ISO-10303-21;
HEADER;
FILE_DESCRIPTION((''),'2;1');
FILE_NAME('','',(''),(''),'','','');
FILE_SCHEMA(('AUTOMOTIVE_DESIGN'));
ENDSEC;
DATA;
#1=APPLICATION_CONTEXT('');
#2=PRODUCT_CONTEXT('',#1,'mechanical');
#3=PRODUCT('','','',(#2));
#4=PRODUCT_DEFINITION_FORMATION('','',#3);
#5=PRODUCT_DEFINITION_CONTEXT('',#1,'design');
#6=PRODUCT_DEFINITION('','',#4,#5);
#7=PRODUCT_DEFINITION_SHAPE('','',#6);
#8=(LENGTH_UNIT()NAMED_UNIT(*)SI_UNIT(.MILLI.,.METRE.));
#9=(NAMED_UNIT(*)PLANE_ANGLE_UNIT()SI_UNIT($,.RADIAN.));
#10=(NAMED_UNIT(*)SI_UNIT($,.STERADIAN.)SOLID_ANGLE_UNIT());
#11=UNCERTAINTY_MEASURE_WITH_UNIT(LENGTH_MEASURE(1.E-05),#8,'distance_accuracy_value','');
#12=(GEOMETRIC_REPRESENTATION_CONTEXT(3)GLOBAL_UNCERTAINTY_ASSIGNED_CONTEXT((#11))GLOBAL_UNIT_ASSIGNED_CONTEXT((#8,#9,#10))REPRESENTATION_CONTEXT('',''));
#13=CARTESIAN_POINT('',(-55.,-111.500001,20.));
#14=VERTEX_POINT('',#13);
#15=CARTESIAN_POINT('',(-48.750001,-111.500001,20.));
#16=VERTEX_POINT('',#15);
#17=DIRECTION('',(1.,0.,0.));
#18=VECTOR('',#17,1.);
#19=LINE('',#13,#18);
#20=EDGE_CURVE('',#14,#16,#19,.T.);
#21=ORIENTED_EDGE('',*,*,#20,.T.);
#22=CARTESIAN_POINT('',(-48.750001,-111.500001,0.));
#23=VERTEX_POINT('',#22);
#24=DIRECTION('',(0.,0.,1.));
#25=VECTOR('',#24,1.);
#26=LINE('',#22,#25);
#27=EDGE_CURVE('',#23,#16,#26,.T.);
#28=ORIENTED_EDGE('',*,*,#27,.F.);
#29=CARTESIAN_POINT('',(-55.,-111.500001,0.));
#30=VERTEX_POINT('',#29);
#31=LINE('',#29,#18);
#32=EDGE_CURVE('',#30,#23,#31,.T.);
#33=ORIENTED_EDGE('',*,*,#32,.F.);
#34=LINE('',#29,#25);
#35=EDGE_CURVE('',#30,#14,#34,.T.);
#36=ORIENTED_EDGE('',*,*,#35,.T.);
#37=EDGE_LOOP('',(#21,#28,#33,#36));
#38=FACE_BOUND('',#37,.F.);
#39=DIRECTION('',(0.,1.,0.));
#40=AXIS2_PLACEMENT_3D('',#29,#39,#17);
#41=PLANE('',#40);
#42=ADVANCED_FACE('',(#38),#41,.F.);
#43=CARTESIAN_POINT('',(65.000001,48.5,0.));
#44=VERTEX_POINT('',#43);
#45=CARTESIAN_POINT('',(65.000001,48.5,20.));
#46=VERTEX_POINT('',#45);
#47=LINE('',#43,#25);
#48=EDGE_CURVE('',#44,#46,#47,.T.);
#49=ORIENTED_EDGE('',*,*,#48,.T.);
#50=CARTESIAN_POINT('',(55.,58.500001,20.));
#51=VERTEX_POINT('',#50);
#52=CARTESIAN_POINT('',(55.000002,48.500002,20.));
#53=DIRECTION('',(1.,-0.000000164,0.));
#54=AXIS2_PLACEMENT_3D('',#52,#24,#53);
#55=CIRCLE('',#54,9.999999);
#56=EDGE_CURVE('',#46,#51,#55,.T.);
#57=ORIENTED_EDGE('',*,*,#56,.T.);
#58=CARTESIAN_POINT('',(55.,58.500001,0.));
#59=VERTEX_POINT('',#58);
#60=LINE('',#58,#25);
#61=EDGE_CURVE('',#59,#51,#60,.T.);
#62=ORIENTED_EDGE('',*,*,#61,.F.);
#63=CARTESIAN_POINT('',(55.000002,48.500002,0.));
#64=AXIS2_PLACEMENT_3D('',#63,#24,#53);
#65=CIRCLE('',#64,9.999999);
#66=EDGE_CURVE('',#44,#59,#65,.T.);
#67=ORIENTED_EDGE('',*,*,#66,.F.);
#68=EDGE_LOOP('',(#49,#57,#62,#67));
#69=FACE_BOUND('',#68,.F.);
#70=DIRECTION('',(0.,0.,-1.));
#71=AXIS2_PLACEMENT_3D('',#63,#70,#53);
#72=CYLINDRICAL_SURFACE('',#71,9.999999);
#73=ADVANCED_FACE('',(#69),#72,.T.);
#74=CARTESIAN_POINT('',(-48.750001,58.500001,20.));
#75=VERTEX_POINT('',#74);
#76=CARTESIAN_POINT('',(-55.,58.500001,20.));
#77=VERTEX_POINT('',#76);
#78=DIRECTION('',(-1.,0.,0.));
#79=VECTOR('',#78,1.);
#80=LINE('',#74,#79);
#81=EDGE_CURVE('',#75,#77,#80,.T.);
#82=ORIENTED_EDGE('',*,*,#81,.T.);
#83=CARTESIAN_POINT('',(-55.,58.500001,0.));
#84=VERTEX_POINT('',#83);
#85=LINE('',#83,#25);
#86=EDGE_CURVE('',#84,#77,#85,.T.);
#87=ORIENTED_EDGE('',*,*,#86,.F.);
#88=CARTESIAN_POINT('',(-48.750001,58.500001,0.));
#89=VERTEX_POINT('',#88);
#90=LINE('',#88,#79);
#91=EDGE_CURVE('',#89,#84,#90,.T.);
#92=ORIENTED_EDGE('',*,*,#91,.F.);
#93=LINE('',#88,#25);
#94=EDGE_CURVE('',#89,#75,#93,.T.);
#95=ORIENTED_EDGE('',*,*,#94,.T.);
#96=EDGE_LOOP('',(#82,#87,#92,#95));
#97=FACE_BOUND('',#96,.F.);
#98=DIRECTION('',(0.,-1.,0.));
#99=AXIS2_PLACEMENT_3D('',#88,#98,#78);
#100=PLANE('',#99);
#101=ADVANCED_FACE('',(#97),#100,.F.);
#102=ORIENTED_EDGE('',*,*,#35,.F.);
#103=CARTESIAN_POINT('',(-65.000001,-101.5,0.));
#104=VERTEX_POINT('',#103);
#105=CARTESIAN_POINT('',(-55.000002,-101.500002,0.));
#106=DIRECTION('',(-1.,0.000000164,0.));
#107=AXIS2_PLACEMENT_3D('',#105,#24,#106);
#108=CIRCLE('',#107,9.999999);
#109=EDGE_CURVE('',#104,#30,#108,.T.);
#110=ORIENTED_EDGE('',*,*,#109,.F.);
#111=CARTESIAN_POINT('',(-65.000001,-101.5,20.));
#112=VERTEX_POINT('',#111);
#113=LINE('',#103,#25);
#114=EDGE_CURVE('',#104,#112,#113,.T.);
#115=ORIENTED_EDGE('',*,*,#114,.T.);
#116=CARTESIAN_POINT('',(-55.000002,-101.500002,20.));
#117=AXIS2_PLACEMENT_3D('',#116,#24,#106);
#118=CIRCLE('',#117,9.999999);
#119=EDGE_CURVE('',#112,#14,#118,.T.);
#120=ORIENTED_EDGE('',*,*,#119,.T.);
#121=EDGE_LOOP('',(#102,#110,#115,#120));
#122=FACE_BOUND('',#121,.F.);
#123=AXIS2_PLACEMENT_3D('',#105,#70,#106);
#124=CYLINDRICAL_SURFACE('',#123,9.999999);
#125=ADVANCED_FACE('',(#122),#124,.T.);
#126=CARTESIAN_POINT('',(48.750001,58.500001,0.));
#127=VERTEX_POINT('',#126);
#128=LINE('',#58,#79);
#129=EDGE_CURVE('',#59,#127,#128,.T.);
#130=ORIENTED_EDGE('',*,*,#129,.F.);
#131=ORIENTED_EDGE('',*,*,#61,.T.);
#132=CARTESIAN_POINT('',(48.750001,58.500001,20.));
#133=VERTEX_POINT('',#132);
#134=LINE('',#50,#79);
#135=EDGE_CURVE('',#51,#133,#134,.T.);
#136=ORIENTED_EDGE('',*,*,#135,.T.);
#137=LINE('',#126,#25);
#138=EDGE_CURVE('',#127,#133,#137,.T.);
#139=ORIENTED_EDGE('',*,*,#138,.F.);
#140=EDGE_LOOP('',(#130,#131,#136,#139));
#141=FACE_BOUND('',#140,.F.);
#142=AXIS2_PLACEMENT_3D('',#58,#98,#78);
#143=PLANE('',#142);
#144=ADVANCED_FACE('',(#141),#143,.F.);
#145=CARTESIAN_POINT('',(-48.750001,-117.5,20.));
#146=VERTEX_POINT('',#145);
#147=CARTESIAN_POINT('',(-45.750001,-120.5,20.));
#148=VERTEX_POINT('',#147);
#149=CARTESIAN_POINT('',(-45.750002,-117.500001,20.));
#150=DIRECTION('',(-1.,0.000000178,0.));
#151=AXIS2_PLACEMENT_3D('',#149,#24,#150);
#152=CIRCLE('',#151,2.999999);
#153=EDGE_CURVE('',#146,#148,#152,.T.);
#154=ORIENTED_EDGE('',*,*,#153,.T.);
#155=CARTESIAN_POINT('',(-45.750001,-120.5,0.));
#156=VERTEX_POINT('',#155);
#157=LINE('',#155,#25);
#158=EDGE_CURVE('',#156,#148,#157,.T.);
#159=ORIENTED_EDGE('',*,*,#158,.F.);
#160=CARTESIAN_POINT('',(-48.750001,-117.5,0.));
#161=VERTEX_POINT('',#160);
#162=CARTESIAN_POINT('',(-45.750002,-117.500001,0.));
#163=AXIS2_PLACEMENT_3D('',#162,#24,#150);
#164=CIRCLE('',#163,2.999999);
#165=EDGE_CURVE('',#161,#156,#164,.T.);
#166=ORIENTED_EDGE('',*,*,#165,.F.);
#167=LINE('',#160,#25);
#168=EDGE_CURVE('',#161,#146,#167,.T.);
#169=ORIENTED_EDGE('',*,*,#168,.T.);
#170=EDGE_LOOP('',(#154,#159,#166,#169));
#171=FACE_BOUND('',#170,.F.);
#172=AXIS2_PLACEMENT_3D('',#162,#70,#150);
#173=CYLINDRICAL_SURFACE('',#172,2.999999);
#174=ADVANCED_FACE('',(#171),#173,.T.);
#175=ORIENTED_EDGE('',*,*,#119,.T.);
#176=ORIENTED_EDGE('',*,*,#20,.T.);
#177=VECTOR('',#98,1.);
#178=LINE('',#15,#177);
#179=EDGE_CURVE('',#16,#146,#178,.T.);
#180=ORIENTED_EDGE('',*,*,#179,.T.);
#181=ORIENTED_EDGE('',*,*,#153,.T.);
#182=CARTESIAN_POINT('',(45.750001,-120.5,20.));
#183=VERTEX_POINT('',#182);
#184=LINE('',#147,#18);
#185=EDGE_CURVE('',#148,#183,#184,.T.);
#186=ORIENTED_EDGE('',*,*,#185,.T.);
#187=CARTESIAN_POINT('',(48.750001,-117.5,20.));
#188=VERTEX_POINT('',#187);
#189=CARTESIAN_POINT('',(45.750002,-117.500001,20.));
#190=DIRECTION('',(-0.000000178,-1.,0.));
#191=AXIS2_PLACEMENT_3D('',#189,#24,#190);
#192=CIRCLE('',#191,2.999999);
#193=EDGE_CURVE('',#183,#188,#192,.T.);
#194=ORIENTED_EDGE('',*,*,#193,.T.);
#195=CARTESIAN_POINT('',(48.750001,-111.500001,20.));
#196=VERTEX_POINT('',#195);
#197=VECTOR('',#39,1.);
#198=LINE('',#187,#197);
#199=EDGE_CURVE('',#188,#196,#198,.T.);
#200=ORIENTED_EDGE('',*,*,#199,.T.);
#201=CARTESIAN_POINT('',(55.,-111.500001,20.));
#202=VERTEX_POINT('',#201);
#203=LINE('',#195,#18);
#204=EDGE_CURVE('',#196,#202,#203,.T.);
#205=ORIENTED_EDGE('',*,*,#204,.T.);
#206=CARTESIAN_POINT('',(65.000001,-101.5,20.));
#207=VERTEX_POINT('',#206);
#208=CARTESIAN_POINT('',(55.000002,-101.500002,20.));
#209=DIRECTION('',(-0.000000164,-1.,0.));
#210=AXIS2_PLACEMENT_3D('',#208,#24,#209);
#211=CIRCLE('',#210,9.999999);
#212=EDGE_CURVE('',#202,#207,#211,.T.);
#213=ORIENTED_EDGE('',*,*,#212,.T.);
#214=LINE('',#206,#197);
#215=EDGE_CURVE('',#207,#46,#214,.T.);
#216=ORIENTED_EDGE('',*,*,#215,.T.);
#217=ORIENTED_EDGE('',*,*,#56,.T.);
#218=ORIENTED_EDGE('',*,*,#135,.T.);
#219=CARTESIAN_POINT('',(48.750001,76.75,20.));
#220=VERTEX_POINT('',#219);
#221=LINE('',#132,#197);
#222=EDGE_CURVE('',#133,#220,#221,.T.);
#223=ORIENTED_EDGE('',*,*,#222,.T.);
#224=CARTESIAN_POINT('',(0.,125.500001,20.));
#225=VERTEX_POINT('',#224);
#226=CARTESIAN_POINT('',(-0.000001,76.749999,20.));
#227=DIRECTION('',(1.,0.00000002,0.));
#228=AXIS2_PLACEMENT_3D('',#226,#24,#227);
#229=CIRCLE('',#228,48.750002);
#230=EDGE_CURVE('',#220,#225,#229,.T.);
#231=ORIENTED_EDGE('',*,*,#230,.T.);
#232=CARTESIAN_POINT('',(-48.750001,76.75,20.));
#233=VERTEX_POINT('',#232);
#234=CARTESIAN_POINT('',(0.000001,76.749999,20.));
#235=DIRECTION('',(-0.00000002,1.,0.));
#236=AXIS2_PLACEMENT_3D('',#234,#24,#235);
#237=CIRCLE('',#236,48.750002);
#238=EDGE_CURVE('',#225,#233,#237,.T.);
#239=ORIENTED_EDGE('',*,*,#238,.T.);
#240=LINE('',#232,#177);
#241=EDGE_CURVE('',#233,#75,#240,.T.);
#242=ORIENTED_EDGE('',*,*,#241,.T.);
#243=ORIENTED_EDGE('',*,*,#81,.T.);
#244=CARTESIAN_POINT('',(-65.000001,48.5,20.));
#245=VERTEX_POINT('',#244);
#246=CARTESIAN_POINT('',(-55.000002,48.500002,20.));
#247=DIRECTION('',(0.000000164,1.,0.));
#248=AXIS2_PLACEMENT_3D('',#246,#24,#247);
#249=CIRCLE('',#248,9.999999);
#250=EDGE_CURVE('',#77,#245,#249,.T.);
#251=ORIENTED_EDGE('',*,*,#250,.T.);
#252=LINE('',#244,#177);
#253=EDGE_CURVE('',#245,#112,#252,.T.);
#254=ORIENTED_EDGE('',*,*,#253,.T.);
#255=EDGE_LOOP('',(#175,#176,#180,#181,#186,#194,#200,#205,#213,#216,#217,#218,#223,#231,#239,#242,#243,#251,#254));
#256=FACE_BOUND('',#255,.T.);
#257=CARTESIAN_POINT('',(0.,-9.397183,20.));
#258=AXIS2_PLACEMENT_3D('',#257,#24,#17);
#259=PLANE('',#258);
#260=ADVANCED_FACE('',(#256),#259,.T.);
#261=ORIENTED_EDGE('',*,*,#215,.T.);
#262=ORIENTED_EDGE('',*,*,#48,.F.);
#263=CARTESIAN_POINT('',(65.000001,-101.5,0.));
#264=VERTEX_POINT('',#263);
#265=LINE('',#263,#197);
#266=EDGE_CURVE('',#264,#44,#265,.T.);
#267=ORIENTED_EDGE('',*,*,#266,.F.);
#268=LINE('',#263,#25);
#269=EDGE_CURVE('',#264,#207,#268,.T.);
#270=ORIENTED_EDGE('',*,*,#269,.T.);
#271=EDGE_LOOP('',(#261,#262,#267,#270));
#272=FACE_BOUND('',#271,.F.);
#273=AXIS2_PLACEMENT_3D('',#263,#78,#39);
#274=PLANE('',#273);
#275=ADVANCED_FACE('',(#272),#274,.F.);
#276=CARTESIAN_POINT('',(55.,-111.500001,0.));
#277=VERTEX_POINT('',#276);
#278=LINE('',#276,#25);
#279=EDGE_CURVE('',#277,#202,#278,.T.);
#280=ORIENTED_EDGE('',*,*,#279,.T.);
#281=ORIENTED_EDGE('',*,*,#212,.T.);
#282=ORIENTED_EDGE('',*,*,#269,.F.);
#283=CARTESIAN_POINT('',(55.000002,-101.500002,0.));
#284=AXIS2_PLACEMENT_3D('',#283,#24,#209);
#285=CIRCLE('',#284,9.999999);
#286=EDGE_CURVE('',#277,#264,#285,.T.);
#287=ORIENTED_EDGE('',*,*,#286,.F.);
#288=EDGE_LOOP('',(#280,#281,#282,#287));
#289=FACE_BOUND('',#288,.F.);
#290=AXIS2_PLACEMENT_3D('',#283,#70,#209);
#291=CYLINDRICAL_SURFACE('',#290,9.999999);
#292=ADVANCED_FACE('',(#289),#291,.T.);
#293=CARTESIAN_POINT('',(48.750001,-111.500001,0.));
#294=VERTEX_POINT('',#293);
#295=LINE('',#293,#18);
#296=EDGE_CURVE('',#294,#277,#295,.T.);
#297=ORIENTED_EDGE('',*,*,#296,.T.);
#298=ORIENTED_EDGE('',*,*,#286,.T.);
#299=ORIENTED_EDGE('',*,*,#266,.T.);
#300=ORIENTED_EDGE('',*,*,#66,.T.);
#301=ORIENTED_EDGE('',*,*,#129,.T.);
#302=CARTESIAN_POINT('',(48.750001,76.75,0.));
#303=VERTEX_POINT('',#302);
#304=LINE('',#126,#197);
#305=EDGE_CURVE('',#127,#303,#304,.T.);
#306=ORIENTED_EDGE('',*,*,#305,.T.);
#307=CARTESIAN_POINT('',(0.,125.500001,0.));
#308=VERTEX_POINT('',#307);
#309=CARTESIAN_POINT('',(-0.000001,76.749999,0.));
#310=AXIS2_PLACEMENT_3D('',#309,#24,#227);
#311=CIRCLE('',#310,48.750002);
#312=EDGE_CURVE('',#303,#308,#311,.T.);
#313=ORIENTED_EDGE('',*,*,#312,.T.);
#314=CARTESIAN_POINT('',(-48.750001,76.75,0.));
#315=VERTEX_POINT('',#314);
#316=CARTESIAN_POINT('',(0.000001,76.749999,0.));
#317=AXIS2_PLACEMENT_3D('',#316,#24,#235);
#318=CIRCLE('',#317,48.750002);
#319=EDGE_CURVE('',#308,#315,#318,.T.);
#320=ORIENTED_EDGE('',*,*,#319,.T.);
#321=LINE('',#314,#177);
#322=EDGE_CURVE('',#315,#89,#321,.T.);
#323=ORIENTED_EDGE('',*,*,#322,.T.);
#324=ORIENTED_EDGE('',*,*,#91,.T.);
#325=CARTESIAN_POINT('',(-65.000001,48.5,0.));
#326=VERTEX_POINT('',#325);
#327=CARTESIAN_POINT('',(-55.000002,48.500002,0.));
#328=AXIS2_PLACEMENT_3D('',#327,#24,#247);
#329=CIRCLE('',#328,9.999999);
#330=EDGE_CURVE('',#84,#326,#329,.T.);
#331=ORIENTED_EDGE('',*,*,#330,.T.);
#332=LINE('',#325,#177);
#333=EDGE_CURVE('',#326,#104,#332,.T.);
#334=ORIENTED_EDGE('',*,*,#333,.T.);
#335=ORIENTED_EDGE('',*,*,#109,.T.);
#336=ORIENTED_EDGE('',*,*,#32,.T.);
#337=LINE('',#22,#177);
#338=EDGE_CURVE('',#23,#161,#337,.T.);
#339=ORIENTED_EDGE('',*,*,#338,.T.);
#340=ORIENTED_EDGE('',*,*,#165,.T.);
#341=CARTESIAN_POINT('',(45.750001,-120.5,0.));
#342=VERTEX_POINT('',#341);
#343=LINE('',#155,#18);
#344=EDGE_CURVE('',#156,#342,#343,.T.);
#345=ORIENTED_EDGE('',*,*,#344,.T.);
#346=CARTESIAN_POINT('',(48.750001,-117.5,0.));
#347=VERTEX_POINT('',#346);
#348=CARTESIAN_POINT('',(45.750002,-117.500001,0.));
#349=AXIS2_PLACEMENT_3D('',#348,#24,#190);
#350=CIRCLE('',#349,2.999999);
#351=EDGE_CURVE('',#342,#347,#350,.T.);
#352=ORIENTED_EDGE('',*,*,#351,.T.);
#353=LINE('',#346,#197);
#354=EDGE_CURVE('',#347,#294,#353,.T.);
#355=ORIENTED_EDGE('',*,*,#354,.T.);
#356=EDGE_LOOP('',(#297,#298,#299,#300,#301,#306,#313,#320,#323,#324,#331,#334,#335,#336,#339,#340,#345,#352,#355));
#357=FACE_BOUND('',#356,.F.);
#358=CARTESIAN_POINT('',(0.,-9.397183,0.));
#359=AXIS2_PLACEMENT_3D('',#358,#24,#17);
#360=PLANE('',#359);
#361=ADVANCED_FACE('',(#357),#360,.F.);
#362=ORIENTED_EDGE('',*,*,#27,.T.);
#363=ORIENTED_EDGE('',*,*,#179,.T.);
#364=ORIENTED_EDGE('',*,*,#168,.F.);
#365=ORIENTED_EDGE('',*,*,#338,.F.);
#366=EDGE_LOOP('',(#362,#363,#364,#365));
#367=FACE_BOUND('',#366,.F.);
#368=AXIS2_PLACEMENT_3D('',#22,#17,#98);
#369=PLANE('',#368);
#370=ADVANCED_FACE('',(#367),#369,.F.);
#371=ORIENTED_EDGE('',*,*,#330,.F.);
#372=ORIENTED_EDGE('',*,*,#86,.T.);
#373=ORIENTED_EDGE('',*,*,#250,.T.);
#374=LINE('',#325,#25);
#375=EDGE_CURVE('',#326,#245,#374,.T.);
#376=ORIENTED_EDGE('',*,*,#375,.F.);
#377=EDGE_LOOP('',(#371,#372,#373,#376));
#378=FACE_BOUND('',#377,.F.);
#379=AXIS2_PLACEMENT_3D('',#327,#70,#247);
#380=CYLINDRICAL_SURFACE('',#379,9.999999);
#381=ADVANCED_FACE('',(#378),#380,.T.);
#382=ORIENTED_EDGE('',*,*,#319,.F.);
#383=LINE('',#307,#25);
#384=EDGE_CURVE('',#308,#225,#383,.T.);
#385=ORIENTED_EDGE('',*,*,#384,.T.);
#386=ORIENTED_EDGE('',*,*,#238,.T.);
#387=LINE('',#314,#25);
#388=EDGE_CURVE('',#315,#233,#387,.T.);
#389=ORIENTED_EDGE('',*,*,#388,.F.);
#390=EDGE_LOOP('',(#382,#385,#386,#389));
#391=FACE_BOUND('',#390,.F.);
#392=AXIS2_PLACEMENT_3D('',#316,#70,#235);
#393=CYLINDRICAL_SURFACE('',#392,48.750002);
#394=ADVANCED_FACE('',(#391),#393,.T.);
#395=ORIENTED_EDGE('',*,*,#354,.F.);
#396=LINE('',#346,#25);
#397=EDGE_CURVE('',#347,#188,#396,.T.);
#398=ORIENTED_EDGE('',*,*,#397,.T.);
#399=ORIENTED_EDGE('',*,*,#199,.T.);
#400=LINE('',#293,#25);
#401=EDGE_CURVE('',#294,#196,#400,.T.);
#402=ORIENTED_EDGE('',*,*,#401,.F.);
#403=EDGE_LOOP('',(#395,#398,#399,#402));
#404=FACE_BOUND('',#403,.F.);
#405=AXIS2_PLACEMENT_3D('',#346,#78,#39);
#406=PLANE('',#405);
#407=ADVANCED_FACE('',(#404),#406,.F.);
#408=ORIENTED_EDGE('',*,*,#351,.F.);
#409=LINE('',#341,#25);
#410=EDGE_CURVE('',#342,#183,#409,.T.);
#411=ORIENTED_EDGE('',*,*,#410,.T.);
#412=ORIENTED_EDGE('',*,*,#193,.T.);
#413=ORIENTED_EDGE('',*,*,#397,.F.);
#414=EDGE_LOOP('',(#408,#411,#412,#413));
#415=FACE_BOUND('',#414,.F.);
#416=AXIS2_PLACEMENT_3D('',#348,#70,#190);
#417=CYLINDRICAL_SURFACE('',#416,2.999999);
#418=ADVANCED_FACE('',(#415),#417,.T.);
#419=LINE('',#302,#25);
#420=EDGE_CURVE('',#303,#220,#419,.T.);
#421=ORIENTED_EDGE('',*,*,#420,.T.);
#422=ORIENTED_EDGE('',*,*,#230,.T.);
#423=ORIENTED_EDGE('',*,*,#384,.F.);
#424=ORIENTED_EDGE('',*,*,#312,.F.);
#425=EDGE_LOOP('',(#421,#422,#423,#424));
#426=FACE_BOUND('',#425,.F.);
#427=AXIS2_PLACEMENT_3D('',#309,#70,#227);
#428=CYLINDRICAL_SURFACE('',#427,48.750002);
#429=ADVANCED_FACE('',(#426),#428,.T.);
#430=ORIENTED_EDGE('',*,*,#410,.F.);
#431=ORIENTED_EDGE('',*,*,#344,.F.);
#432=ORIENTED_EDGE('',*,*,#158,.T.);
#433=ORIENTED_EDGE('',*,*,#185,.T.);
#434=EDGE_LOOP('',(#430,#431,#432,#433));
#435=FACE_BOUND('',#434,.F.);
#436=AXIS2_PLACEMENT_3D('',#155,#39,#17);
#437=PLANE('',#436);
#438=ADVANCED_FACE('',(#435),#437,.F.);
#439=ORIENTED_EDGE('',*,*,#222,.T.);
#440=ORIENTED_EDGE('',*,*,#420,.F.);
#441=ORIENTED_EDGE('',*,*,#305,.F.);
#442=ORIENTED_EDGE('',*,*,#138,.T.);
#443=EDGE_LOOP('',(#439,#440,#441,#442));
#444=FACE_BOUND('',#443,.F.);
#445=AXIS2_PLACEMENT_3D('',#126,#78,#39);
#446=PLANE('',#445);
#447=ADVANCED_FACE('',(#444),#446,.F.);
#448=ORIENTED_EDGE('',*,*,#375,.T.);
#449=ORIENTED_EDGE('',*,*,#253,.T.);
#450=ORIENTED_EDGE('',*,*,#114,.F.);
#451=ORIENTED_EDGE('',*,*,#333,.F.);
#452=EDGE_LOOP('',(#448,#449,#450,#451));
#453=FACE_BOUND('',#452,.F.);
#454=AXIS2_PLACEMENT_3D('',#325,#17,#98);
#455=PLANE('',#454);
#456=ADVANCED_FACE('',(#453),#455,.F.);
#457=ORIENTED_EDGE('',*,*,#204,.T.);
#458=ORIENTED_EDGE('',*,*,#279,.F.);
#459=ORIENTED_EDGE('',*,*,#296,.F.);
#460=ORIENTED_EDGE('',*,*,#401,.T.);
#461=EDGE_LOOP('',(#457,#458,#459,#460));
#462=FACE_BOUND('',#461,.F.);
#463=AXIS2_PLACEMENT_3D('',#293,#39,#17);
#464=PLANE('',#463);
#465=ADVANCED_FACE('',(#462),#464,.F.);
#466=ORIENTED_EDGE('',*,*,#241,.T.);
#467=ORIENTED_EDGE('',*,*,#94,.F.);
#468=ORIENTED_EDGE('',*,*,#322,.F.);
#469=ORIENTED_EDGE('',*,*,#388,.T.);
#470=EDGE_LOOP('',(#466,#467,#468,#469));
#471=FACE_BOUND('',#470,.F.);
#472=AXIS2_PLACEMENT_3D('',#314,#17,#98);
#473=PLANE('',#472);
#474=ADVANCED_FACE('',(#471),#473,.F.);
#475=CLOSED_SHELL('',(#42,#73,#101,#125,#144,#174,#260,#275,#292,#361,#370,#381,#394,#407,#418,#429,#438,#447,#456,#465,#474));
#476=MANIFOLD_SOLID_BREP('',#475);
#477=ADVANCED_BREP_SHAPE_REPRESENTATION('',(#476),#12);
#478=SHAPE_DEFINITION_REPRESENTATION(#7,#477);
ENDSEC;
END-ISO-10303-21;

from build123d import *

# Parameters (mm, degrees)
F1_DEPTH = 20


with BuildPart() as f1:
    # F0 (on Top) → F1 (new body)
    with BuildSketch(Plane.XY):
        with BuildLine():
            Line((-41.75, -120.5), (0, -120.5))
            Line((0, -120.5), (41.75, -120.5))
            ThreePointArc((41.75, -120.5), (43.164214, -119.914214), (43.75, -118.5))
            Line((43.75, -118.5), (43.75, -106.5))
            Line((43.75, -106.5), (55, -106.5))
            ThreePointArc((55, -106.5), (58.535534, -105.035534), (60, -101.5))
            Line((60, -101.5), (60, 48.5))
            ThreePointArc((60, 48.5), (58.535534, 52.035534), (55, 53.5))
            Line((55, 53.5), (43.75, 53.5))
            Line((43.75, 53.5), (43.75, 76.75))
            ThreePointArc((43.75, 76.75), (30.935922, 107.685922), (0, 120.5))
            ThreePointArc((0, 120.5), (-30.935922, 107.685922), (-43.75, 76.75))
            Line((-43.75, 76.75), (-43.75, 53.5))
            Line((-43.75, 53.5), (-55, 53.5))
            ThreePointArc((-55, 53.5), (-58.535534, 52.035534), (-60, 48.5))
            Line((-60, 48.5), (-60, -101.5))
            ThreePointArc((-60, -101.5), (-58.535534, -105.035534), (-55, -106.5))
            Line((-55, -106.5), (-43.75, -106.5))
            Line((-43.75, -106.5), (-43.75, -118.5))
            ThreePointArc((-43.75, -118.5), (-43.164214, -119.914214), (-41.75, -120.5))
        make_face()
        with BuildLine():
            Line((-45.750001, -120.5), (-41.75, -120.5))
            ThreePointArc((-41.75, -120.5), (-43.164214, -119.914214), (-43.75, -118.5))
            Line((-43.75, -118.5), (-43.75, -106.5))
            Line((-43.75, -106.5), (-55, -106.5))
            ThreePointArc((-55, -106.5), (-58.535534, -105.035534), (-60, -101.5))
            Line((-60, -101.5), (-60, 48.5))
            ThreePointArc((-60, 48.5), (-58.535534, 52.035534), (-55, 53.5))
            Line((-55, 53.5), (-43.75, 53.5))
            Line((-43.75, 53.5), (-43.75, 76.75))
            ThreePointArc((-43.75, 76.75), (-30.935922, 107.685922), (0, 120.5))
            ThreePointArc((0, 120.5), (30.935922, 107.685922), (43.75, 76.75))
            Line((43.75, 76.75), (43.75, 53.5))
            Line((43.75, 53.5), (55, 53.5))
            ThreePointArc((55, 53.5), (58.535534, 52.035534), (60, 48.5))
            Line((60, 48.5), (60, -101.5))
            ThreePointArc((60, -101.5), (58.535534, -105.035534), (55, -106.5))
            Line((55, -106.5), (43.75, -106.5))
            Line((43.75, -106.5), (43.75, -118.5))
            ThreePointArc((43.75, -118.5), (43.164214, -119.914214), (41.75, -120.5))
            Line((41.75, -120.5), (45.750001, -120.5))
            ThreePointArc((45.750001, -120.5), (47.871322, -119.62132), (48.750001, -117.5))
            Line((48.750001, -117.5), (48.750001, -111.500001))
            Line((48.750001, -111.500001), (55, -111.500001))
            ThreePointArc((55, -111.500001), (62.071069, -108.571069), (65.000001, -101.5))
            Line((65.000001, -101.5), (65.000001, 48.5))
            ThreePointArc((65.000001, 48.5), (62.071069, 55.571069), (55, 58.500001))
            Line((55, 58.500001), (48.750001, 58.500001))
            Line((48.750001, 58.500001), (48.750001, 76.75))
            ThreePointArc((48.750001, 76.75), (34.471456, 111.221456), (0, 125.500001))
            ThreePointArc((0, 125.500001), (-34.471456, 111.221456), (-48.750001, 76.75))
            Line((-48.750001, 76.75), (-48.750001, 58.500001))
            Line((-48.750001, 58.500001), (-55, 58.500001))
            ThreePointArc((-55, 58.500001), (-62.071069, 55.571069), (-65.000001, 48.5))
            Line((-65.000001, 48.5), (-65.000001, -101.5))
            ThreePointArc((-65.000001, -101.5), (-62.071069, -108.571069), (-55, -111.500001))
            Line((-55, -111.500001), (-48.750001, -111.500001))
            Line((-48.750001, -111.500001), (-48.750001, -117.5))
            ThreePointArc((-48.750001, -117.5), (-47.871322, -119.62132), (-45.750001, -120.5))
        make_face()
    extrude(amount=F1_DEPTH)


solid = f1.part
